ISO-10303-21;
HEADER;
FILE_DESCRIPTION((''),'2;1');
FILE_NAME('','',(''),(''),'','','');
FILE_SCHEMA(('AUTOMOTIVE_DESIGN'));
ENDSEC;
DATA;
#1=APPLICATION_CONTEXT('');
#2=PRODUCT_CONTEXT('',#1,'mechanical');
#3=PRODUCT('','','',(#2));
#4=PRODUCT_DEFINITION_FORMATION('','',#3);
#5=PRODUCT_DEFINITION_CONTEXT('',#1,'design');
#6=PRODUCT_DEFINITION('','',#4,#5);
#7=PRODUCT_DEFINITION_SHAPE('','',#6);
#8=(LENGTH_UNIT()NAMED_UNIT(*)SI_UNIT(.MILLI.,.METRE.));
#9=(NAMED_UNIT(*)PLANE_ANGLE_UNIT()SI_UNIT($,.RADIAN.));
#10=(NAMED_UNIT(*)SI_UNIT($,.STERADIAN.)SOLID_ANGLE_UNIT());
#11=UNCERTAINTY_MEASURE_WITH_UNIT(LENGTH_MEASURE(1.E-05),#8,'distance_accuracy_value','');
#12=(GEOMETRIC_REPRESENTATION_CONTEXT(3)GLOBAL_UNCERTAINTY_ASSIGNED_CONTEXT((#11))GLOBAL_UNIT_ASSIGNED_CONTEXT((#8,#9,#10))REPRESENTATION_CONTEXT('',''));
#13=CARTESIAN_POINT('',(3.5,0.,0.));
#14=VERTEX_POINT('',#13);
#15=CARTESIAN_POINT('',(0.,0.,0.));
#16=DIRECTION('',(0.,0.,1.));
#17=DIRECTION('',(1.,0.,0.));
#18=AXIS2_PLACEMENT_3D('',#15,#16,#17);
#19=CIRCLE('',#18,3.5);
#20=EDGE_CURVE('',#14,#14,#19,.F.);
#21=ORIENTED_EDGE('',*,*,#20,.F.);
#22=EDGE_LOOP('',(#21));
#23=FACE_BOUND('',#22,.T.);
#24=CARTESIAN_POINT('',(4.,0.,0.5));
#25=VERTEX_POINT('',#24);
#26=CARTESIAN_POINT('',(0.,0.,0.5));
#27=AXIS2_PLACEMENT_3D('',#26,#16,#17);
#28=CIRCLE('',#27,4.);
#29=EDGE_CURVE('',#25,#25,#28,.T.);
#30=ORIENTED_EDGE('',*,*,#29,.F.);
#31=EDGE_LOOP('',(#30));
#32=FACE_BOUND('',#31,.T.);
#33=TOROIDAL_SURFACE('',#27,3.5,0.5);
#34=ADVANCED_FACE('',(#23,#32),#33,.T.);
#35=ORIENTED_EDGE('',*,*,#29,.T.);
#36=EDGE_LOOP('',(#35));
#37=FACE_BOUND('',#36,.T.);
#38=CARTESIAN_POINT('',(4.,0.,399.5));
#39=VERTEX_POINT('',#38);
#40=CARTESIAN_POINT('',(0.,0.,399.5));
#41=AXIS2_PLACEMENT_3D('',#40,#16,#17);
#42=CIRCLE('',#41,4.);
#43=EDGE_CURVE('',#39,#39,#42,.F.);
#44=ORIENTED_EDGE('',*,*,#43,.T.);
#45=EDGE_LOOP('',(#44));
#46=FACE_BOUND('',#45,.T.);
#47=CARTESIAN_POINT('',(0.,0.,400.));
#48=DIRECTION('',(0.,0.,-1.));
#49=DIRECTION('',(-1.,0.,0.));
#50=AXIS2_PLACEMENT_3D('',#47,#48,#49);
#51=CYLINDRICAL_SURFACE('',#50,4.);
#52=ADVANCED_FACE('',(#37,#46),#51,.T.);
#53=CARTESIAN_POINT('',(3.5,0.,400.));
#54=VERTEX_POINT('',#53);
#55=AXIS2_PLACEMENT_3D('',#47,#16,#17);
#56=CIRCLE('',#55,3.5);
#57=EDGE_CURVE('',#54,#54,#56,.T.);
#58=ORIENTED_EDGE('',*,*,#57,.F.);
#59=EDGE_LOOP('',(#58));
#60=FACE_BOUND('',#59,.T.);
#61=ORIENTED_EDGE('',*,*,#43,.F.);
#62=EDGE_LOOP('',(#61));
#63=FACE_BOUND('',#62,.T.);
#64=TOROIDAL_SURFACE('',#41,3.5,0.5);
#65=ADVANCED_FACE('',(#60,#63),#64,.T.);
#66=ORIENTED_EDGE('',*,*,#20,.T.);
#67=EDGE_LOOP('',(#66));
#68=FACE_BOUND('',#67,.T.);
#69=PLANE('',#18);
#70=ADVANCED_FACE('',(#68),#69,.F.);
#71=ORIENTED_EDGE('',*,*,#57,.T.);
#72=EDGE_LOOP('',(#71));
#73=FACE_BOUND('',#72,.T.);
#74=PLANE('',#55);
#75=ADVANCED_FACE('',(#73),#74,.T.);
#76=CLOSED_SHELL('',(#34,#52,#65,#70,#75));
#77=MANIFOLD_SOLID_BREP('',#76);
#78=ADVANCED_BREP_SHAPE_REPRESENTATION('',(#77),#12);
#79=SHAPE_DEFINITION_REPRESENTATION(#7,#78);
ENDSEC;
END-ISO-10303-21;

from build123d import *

# Parameters (mm, degrees)
CROQUIS1_R              = 4
SALIENTE_EXTRUIR1_DEPTH = 400
REDONDEO1_R             = 0.5


with BuildPart() as part:
    # Croquis1 → Saliente-Extruir1 (new body)
    with BuildSketch(Plane.XY):
        Circle(CROQUIS1_R)
    extrude(amount=SALIENTE_EXTRUIR1_DEPTH)

    # Redondeo1
    redondeo1_edges = [part.edges().sort_by_distance(p)[0] for p in [
        (-4, 0, 0),
        (-4, 0, 400),
    ]]
    fillet(redondeo1_edges, radius=REDONDEO1_R)


solid = part.part
